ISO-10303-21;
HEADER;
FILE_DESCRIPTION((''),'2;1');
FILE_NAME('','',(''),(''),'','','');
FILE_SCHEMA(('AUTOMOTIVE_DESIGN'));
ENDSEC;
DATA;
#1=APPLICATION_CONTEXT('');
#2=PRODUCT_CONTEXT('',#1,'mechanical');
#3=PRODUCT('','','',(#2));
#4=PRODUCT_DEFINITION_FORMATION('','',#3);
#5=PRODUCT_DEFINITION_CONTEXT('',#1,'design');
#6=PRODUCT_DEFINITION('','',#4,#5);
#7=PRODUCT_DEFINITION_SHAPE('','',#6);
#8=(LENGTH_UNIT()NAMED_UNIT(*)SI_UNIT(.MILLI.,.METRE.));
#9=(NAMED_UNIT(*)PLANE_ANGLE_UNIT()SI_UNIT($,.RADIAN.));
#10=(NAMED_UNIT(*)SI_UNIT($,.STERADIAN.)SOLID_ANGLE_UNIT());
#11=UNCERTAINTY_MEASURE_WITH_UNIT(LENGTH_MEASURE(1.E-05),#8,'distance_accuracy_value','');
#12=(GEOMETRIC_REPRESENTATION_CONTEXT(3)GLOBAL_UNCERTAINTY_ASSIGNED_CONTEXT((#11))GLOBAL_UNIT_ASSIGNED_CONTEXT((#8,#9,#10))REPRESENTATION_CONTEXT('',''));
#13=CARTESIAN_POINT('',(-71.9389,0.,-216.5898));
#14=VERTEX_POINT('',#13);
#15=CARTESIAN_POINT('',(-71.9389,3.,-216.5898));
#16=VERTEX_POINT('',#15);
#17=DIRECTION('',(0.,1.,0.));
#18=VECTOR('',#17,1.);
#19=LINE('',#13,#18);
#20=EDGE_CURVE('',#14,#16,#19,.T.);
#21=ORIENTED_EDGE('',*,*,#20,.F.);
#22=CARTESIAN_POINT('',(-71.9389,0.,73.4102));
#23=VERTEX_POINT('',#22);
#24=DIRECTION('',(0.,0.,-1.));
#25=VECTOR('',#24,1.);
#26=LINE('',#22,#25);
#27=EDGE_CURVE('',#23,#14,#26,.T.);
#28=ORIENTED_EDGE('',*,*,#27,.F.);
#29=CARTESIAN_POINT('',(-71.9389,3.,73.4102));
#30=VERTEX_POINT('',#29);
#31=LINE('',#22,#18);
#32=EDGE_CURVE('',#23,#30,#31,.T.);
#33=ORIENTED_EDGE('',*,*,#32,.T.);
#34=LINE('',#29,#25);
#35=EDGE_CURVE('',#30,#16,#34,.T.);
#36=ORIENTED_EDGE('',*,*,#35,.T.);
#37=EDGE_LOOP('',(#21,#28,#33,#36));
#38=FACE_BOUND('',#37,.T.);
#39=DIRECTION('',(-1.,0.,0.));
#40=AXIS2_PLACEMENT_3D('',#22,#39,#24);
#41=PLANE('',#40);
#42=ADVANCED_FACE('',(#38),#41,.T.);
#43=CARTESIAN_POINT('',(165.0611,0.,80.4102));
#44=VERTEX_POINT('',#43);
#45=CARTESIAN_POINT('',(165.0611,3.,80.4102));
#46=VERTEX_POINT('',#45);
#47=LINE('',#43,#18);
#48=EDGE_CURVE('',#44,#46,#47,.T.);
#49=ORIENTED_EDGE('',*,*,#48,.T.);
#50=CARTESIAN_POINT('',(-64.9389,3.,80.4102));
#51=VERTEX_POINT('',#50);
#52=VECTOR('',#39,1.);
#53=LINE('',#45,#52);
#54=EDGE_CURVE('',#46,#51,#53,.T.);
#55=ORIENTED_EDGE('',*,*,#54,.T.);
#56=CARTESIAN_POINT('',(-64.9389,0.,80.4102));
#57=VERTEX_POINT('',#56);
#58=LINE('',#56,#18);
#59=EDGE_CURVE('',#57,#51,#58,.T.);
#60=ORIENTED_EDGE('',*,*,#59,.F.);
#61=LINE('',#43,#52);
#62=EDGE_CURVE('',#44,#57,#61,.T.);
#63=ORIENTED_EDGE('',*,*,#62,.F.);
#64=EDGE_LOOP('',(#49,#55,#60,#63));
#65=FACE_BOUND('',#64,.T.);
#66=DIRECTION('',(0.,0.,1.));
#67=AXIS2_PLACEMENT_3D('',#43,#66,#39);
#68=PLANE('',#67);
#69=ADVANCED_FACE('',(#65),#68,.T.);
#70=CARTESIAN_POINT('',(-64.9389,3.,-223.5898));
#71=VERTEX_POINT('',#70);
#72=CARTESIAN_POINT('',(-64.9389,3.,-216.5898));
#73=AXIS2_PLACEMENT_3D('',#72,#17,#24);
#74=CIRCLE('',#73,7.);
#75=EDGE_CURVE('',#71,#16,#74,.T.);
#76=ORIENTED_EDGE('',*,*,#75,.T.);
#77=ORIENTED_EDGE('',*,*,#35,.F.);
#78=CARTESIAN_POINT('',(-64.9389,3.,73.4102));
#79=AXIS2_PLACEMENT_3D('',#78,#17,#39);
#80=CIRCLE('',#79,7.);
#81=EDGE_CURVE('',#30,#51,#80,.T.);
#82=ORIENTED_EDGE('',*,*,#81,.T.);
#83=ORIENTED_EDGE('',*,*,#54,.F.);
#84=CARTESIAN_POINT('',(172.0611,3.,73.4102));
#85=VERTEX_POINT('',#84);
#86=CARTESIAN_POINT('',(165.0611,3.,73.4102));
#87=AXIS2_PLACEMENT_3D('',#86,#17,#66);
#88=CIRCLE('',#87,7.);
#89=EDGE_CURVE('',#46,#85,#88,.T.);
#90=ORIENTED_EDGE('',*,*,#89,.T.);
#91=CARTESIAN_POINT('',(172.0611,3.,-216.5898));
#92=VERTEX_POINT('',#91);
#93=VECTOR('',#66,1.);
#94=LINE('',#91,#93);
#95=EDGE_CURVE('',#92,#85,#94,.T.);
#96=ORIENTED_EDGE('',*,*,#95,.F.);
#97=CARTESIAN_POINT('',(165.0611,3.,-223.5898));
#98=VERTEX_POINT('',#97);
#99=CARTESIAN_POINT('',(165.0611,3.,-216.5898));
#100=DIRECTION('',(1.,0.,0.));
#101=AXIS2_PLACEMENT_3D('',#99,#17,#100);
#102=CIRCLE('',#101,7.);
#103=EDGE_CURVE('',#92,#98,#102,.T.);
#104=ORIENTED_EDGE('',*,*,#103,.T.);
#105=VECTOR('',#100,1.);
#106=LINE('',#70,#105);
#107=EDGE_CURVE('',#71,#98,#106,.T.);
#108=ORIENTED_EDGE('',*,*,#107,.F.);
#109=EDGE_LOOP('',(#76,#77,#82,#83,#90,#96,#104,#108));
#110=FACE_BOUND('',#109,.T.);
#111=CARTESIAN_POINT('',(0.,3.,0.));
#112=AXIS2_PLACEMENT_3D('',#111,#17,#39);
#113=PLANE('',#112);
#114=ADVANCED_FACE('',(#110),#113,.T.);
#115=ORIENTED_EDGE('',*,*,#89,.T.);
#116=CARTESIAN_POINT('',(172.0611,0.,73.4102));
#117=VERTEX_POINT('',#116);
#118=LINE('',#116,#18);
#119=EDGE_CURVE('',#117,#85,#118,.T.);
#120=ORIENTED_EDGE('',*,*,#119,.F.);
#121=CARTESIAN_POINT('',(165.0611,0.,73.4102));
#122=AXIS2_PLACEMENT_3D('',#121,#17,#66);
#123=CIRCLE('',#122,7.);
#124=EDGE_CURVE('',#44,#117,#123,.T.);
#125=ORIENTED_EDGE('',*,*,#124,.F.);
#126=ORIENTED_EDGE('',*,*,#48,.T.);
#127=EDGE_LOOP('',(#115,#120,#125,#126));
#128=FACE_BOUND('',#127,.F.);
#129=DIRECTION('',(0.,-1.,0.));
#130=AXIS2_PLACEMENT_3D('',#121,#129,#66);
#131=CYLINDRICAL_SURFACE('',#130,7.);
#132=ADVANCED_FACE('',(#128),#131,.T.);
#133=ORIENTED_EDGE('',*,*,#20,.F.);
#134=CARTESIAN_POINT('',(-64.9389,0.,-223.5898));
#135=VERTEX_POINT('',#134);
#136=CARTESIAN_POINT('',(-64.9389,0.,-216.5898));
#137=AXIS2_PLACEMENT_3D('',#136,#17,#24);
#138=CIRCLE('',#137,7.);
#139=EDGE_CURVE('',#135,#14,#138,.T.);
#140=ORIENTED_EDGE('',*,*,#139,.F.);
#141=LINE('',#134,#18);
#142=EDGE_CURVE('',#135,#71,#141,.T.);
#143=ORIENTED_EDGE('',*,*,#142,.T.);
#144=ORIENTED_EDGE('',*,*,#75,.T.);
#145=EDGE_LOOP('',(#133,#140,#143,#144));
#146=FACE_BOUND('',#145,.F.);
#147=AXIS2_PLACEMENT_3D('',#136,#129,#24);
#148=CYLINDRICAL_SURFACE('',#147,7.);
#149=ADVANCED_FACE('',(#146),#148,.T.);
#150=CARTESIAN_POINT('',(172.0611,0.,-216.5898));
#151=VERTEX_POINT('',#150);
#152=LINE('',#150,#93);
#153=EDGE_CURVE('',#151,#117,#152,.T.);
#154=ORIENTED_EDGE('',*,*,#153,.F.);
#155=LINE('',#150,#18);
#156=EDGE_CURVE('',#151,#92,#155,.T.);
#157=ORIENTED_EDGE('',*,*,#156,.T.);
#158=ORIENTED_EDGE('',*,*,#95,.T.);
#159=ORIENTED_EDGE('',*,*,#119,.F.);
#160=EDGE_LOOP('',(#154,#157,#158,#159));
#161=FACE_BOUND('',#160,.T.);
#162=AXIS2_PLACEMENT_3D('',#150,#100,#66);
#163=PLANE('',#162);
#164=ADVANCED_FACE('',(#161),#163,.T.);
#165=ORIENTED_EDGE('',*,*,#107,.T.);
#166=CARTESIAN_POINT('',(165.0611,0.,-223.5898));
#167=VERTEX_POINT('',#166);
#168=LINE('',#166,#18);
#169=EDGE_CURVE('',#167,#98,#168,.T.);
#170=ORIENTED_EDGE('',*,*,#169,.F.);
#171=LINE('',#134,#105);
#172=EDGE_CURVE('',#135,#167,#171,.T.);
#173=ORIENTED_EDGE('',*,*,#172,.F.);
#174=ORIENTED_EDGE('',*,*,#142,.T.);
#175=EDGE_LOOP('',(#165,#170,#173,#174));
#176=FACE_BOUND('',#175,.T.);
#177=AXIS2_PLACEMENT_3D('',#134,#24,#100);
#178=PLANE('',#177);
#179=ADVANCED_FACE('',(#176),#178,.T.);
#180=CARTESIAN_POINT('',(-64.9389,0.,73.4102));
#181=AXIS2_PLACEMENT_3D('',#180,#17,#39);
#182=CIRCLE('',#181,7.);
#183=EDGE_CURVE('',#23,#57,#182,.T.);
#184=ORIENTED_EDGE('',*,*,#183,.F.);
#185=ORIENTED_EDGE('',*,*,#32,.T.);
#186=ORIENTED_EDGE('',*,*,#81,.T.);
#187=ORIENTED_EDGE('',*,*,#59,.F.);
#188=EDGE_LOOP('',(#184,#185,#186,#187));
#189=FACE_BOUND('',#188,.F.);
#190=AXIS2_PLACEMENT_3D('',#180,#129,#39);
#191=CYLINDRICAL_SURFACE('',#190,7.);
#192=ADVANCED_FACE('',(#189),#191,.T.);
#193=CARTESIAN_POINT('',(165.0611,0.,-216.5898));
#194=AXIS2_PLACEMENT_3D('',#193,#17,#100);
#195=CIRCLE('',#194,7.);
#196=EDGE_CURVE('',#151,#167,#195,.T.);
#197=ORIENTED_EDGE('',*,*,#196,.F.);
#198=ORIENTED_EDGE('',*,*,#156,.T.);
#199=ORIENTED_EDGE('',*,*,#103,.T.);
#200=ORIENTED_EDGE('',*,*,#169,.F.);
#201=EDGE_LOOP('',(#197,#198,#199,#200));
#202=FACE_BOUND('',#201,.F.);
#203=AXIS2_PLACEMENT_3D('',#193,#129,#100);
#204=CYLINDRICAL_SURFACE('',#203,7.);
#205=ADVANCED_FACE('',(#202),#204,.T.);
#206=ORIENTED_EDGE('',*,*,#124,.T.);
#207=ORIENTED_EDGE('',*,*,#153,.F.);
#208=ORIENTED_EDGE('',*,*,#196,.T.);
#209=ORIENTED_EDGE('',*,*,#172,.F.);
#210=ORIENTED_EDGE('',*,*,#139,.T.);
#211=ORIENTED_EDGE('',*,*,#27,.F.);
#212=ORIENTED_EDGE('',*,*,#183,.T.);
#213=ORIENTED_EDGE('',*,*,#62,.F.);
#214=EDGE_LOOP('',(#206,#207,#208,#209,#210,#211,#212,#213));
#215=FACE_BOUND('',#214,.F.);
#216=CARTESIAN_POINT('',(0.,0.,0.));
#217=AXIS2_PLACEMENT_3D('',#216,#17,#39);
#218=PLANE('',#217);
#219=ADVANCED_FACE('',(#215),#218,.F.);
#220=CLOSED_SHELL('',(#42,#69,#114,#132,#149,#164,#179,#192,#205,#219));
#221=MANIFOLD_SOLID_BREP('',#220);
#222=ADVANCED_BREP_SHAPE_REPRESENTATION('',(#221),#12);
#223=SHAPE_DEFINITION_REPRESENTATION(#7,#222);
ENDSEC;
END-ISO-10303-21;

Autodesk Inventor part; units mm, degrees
ref_plane "YZ Plane" through (0, 0, 0) normal (1, 0, 0) x (0, 1, 0)
ref_plane "XZ Plane" through (0, 0, 0) normal (0, 1, 0) x (-1, 0, 0)
ref_plane "XY Plane" through (0, 0, 0) normal (0, 0, 1) x (1, 0, 0)
sketch "Boceto1" plane through (0, 0, 0) normal (0, 1, 0) x (-1, 0, 0)
  line L0 (64.9389, -223.5898) -> (-165.0611, -223.5898)
  line L1 (-172.0611, -216.5898) -> (-172.0611, 73.4102)
  line L2 (-165.0611, 80.4102) -> (64.9389, 80.4102)
  line L3 (71.9389, 73.4102) -> (71.9389, -216.5898)
  arc A0 (-172.0611, -216.5898) -> (-165.0611, -223.5898) centre (-165.0611, -216.5898) ccw
  arc A1 (64.9389, -223.5898) -> (71.9389, -216.5898) centre (64.9389, -216.5898) ccw
  arc A2 (71.9389, 73.4102) -> (64.9389, 80.4102) centre (64.9389, 73.4102) ccw
  arc A3 (-165.0611, 80.4102) -> (-172.0611, 73.4102) centre (-165.0611, 73.4102) ccw
  point P0 (63.9389, -223.5898)
  point P1 (71.9389, -215.5898)
  point P2 (-172.0611, -215.5898)
  point P3 (-164.0611, -223.5898)
  point P4 (-172.0611, 72.4102)
  point P5 (-164.0611, 80.4102)
  point P6 (63.9389, 80.4102)
  point P7 (71.9389, 72.4102)
  dimension "d14" = 244
  dimension "d15" = 304
  dimension "d16" = 7
extrude "Extrusión1" add sketch "Boceto1" along normal blind 3
properties part number "Puerta Lateral Izquierda"
